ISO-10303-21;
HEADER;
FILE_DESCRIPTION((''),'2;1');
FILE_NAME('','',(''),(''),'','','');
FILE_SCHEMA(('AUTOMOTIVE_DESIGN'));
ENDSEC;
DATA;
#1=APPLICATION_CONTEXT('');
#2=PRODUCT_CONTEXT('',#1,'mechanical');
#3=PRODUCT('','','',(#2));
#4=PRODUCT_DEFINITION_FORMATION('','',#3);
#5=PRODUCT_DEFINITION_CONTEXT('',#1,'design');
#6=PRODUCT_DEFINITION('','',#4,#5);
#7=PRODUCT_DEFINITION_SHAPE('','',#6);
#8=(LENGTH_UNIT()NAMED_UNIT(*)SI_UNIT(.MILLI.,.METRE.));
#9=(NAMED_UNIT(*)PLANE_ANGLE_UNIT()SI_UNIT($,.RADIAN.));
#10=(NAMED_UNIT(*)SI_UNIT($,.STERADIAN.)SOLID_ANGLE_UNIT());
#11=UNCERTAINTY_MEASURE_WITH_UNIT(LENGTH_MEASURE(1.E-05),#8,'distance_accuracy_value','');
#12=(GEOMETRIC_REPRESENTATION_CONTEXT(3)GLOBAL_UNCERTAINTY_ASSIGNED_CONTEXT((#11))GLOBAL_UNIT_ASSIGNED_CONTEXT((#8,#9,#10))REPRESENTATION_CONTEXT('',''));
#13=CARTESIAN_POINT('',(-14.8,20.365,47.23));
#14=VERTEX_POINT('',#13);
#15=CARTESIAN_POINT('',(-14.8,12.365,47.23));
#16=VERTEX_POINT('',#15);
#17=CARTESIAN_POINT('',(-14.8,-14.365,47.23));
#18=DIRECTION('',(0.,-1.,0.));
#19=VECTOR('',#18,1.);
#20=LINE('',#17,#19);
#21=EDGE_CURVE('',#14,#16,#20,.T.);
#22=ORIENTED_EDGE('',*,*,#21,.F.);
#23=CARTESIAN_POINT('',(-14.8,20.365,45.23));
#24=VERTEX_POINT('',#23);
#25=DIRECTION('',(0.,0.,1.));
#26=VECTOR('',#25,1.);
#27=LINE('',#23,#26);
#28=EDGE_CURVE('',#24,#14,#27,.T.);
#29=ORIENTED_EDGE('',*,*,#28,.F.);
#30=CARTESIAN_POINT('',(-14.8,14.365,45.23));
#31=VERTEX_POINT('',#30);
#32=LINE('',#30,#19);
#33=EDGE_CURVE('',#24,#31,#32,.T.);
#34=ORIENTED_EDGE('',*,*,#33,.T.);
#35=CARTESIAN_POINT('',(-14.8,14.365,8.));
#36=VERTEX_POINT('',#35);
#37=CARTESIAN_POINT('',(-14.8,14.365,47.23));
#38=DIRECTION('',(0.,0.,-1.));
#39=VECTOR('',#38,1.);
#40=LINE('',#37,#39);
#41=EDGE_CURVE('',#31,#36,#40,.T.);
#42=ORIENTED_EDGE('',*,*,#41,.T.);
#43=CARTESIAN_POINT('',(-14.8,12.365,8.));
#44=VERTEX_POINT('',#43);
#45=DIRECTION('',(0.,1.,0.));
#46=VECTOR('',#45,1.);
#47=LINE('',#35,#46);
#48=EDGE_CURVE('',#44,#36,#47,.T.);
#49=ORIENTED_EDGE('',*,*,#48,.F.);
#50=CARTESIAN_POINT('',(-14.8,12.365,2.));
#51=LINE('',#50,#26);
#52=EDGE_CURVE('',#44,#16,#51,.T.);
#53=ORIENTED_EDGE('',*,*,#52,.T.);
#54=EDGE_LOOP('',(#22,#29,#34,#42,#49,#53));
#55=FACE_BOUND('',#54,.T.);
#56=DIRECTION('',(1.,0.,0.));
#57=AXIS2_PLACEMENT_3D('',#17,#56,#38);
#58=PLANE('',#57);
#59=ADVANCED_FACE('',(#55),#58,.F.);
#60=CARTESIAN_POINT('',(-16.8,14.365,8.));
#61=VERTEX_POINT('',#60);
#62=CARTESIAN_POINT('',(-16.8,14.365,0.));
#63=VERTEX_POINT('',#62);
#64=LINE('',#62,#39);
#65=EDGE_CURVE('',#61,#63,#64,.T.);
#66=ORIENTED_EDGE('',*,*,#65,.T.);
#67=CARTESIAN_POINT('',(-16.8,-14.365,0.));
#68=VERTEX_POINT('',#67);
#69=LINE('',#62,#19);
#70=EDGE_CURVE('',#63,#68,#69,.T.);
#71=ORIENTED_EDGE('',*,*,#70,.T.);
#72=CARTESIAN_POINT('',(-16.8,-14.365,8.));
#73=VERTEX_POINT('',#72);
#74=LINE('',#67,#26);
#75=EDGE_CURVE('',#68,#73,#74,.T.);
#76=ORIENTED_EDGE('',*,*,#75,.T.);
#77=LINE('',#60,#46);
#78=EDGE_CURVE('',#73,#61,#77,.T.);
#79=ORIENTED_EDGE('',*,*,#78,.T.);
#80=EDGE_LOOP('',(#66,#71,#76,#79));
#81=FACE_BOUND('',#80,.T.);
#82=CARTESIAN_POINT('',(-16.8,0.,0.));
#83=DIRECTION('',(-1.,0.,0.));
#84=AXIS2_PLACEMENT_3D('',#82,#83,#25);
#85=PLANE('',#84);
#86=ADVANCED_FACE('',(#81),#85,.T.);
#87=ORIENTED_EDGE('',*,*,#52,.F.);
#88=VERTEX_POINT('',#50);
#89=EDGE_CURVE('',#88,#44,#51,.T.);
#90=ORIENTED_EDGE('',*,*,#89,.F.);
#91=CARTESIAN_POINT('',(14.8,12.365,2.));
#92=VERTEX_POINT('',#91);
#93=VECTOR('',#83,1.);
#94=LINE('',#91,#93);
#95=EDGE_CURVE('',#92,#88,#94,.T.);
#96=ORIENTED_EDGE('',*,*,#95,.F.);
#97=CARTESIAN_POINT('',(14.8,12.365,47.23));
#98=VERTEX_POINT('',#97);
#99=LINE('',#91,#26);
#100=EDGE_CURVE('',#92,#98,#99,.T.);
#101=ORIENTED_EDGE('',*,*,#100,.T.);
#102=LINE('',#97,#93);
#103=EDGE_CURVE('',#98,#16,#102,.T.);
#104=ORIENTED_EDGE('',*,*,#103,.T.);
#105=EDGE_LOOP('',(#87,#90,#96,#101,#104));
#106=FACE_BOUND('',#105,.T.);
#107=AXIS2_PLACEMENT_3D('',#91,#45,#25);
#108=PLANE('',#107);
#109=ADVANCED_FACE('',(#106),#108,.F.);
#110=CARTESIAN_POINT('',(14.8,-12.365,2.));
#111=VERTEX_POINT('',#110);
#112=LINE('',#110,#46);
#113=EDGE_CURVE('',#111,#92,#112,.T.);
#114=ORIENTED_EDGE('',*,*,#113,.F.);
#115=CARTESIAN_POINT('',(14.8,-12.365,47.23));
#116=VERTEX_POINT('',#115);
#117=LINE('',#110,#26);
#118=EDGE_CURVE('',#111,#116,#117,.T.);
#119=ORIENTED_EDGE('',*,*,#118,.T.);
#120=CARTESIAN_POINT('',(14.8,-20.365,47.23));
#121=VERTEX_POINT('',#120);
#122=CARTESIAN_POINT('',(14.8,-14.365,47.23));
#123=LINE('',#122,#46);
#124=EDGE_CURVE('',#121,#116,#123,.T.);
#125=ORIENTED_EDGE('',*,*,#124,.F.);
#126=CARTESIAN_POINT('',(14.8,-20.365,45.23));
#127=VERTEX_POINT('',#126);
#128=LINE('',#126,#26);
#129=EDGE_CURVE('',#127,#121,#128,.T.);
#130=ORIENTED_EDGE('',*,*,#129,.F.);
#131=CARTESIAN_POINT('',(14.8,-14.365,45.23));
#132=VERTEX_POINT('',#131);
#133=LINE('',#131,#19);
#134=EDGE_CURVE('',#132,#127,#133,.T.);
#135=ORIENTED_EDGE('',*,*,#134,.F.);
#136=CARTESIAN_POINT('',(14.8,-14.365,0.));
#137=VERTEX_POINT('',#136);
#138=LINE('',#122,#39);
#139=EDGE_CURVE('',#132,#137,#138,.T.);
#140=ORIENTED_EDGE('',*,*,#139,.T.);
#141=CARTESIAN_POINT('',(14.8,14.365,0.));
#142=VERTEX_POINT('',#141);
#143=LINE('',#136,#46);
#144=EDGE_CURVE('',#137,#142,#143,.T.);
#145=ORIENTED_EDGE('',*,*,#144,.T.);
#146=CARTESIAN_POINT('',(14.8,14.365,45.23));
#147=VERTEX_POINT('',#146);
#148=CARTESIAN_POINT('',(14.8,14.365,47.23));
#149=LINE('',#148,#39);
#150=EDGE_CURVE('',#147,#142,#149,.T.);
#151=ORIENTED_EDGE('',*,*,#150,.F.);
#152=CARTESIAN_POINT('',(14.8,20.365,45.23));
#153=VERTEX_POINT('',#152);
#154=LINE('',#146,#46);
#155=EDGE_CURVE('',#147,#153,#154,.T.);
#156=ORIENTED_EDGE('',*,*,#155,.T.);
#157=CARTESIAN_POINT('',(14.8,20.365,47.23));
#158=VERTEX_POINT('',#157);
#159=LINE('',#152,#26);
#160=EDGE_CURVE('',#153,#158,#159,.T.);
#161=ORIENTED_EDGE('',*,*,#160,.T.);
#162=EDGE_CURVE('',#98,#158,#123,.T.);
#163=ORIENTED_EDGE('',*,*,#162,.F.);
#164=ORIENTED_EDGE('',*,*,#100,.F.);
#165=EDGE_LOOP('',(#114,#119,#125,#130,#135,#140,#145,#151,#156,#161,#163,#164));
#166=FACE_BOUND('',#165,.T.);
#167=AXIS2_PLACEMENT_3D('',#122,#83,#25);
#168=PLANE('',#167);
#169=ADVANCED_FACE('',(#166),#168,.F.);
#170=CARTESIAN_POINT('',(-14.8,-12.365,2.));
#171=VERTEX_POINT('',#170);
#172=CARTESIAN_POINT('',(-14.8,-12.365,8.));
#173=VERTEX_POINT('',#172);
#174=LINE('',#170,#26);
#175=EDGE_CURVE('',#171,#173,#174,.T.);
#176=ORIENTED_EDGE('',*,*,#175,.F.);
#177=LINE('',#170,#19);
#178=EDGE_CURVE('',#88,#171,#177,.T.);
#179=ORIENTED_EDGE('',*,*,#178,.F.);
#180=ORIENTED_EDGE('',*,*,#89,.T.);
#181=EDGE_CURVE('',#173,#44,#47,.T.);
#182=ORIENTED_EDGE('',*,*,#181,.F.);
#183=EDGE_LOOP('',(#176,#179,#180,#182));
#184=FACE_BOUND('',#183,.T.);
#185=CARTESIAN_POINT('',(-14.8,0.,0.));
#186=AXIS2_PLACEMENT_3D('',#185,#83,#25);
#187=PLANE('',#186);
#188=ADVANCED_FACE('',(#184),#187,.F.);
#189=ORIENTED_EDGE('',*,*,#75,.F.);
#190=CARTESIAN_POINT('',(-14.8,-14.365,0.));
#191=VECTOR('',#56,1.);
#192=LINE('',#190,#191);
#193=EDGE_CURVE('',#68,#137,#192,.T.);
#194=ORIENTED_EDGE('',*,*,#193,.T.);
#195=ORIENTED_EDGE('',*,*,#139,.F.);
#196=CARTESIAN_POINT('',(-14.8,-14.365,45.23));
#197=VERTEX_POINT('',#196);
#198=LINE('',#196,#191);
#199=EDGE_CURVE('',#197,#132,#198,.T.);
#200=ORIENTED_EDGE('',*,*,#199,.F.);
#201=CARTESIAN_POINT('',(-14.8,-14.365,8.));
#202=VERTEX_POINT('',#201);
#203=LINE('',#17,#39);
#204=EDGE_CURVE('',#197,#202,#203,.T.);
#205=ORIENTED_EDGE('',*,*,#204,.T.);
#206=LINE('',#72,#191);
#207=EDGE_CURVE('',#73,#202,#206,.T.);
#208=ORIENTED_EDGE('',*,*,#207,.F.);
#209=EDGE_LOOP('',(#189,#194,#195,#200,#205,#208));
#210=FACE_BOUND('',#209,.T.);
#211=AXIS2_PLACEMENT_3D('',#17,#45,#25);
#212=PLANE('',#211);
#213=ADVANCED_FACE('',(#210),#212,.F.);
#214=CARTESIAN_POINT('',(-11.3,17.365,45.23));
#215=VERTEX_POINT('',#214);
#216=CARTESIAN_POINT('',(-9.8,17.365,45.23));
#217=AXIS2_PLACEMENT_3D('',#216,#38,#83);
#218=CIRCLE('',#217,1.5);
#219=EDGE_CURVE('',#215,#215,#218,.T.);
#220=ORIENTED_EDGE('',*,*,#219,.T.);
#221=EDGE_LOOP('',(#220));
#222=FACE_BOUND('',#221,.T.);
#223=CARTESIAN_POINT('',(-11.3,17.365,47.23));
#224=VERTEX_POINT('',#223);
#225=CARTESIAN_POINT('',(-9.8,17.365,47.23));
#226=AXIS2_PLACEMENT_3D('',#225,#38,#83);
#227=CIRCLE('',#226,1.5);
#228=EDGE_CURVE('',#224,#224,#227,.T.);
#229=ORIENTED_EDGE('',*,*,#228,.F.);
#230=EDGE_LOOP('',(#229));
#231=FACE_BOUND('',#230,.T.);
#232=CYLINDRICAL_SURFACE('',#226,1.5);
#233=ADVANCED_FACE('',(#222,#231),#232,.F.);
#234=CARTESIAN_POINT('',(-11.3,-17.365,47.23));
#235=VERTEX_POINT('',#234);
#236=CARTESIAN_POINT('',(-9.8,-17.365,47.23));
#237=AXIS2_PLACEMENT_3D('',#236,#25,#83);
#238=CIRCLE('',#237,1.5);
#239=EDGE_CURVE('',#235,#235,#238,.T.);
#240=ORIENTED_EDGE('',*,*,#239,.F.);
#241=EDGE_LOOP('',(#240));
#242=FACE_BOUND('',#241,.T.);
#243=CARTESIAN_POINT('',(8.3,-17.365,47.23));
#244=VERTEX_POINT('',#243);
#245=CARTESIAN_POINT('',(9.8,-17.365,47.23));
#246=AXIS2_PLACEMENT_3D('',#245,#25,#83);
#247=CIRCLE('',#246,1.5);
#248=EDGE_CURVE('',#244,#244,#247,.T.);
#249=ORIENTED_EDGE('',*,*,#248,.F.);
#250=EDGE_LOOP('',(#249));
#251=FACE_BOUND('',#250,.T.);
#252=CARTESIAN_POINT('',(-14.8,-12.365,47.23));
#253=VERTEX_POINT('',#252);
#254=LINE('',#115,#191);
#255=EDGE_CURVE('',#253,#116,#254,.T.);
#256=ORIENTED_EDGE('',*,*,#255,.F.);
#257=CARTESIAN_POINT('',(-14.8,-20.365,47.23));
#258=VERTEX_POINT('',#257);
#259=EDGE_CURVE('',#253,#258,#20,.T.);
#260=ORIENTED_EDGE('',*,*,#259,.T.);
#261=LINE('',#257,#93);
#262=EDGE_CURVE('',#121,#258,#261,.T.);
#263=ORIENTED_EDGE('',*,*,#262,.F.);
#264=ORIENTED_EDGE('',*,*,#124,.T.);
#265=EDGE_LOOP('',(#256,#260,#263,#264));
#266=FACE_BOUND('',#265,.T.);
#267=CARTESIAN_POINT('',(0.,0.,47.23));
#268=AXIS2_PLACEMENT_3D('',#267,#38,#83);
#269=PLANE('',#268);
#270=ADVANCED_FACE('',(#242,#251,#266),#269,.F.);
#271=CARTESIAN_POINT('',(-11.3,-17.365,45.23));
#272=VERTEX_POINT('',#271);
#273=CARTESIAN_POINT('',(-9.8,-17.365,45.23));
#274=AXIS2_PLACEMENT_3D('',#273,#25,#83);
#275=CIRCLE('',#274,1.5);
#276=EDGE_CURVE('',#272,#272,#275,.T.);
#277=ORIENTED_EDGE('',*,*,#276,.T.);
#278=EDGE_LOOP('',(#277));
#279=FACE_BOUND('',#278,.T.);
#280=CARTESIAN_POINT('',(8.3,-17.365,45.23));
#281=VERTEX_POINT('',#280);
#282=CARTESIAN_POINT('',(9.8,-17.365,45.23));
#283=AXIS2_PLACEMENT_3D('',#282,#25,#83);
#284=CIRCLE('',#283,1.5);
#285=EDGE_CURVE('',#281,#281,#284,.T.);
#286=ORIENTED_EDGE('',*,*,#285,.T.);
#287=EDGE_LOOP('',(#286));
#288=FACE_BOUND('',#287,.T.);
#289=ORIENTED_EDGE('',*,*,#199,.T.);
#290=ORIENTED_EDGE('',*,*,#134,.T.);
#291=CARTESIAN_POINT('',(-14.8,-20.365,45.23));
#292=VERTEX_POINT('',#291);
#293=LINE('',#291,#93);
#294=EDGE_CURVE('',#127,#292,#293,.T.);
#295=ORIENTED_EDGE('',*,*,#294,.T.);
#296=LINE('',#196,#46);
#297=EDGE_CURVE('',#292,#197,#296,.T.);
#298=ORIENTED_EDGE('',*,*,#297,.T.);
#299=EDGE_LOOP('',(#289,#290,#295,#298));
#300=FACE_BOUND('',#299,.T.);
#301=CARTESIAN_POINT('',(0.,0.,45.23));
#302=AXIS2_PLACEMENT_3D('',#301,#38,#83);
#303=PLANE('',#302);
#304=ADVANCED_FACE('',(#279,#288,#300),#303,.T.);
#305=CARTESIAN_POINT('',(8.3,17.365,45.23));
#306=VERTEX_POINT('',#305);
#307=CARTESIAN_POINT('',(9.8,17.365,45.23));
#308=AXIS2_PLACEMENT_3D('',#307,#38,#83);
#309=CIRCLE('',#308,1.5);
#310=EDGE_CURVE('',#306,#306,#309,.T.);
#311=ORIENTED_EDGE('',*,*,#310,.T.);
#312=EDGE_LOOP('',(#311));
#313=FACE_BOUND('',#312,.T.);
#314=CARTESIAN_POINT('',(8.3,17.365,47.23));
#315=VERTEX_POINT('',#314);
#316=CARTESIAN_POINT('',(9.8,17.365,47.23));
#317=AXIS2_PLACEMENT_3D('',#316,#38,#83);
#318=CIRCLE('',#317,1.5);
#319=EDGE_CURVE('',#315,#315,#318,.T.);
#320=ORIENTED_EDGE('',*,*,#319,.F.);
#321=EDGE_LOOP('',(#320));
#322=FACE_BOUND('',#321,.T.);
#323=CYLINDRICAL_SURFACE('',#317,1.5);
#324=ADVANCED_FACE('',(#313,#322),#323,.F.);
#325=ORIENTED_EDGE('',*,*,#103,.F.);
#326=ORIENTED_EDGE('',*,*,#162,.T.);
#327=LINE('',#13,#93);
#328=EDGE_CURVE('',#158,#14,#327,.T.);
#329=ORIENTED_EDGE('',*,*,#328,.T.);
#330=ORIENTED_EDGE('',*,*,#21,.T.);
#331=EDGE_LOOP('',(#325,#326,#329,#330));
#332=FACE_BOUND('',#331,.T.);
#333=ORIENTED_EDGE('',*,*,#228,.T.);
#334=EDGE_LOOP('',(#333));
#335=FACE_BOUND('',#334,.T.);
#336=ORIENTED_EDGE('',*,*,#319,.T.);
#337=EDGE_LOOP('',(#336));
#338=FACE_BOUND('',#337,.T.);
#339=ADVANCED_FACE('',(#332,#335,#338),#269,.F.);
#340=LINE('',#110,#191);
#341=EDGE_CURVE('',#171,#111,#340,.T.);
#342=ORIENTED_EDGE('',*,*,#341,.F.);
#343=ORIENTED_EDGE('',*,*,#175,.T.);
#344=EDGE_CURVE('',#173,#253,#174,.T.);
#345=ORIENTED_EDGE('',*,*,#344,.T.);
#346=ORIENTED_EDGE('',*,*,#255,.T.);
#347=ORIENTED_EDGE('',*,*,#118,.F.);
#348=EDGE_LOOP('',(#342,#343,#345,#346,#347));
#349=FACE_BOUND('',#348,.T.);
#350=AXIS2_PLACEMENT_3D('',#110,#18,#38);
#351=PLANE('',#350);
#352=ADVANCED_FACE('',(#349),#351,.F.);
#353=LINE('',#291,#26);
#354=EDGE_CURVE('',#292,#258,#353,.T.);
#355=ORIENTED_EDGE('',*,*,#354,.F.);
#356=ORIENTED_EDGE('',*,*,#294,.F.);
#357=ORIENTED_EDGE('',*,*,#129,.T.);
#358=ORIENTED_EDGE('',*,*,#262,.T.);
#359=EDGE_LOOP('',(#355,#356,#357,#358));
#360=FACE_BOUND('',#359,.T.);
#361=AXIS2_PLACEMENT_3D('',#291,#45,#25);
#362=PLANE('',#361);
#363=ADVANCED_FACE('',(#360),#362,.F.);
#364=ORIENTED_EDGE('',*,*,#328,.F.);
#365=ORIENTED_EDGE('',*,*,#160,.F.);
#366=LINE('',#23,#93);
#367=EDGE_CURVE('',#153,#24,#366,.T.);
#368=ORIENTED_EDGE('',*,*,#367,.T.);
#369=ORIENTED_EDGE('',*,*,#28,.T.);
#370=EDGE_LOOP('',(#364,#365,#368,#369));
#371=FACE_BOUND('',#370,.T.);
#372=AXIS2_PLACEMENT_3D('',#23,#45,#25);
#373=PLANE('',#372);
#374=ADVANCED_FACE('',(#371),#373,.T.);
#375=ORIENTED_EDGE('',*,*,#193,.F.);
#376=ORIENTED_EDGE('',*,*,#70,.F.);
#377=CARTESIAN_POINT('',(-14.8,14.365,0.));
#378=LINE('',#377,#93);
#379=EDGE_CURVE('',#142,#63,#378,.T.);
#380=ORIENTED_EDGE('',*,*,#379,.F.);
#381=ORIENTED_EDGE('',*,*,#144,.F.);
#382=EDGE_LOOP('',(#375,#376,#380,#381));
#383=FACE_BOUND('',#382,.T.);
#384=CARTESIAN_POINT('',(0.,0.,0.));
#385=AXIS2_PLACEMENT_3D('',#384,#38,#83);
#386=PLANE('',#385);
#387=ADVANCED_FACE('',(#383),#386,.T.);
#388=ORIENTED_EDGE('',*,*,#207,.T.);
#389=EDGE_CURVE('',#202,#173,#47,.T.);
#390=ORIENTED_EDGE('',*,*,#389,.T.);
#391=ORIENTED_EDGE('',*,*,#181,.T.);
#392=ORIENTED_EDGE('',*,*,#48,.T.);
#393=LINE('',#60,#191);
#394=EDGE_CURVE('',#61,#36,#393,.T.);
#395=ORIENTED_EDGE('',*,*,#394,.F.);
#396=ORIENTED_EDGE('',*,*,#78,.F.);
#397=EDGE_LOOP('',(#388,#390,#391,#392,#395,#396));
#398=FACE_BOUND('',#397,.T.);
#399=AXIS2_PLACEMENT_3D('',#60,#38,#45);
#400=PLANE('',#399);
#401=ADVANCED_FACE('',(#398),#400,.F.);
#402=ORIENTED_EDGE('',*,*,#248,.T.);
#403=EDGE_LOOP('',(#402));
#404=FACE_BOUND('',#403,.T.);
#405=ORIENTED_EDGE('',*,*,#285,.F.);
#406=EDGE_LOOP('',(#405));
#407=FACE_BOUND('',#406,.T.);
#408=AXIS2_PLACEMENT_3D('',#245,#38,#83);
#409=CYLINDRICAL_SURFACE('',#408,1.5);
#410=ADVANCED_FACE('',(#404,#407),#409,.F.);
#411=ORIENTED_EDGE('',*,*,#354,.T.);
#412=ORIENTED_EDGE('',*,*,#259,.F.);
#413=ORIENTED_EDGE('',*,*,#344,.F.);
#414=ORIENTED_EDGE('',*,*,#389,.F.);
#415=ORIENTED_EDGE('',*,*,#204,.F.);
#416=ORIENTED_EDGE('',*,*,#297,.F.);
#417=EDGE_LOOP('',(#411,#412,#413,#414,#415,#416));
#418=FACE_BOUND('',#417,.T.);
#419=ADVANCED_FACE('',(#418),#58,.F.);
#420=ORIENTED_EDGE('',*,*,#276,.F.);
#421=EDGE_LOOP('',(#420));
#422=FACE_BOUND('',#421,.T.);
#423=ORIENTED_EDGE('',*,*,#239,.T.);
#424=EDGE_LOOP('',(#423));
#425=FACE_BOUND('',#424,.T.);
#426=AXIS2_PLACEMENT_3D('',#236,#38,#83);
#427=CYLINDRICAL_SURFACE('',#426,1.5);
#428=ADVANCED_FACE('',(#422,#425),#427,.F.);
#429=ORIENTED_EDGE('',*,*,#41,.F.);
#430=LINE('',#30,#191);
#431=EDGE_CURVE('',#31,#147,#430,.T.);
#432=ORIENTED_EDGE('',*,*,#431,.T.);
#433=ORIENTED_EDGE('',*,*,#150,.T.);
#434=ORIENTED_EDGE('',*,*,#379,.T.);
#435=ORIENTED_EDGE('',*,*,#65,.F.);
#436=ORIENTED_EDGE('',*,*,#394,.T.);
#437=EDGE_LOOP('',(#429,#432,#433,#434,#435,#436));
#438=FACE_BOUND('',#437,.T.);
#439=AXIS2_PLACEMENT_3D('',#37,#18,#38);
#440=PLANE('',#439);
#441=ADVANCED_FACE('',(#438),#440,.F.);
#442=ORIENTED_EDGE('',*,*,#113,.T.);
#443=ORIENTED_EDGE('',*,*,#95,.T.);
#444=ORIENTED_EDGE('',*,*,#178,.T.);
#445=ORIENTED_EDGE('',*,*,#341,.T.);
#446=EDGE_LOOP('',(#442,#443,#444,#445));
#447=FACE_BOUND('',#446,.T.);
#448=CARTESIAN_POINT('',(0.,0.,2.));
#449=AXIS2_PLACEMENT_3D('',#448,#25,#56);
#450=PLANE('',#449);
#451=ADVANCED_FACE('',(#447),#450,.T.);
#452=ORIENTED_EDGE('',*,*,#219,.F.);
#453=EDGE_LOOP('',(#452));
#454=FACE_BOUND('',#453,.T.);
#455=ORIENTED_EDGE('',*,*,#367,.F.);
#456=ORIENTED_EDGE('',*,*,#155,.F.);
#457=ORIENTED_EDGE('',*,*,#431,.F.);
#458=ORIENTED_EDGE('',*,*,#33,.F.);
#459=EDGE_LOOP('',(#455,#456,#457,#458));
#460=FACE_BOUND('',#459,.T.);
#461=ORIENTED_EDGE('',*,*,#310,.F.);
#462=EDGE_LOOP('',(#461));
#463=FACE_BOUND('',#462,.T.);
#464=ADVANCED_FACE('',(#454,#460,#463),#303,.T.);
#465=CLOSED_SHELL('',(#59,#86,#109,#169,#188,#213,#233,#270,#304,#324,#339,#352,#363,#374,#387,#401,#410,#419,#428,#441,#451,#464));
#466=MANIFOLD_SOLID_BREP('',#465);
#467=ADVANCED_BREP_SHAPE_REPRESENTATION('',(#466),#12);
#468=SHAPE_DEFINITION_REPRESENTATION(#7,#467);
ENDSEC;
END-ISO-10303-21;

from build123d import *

# Parameters (mm, degrees)
SKETCH_1_W          = 29.6
SKETCH_1_H          = 28.73
EXTRUDE_1_DEPTH     = 47.23
SKETCH_2_W          = 29.6
SKETCH_2_H          = 24.73
CUT_EXTRUDE_1_DEPTH = 45.23
SKETCH_3_W          = 8
SKETCH_3_H          = 28.73
EXTRUDE_2_DEPTH     = 2
SKETCH_4_W          = 29.6
SKETCH_4_H          = 6
EXTRUDE_3_DEPTH     = 2
SKETCH_5_R          = 1.5
CUT_EXTRUDE_2_DEPTH = 53.37104281


with BuildPart() as part:
    # 草图1 → 凸台-拉伸1 (new body)
    with BuildSketch(Plane.XY):
        Rectangle(SKETCH_1_W, SKETCH_1_H)
    extrude(amount=EXTRUDE_1_DEPTH)

    # 草图2 → 切除-拉伸1 (cut)
    with BuildSketch(Plane.XY.offset(47.23)):
        Rectangle(SKETCH_2_W, SKETCH_2_H)
    extrude(amount=-CUT_EXTRUDE_1_DEPTH, mode=Mode.SUBTRACT)

    # 草图3 → 凸台-拉伸2 (add)
    with BuildSketch(Plane.ZY.offset(14.8)):
        with Locations((4, 0)):
            Rectangle(SKETCH_3_W, SKETCH_3_H)
    extrude(amount=EXTRUDE_2_DEPTH)

    # 草图4 → 凸台-拉伸3 (add)
    with BuildSketch(Plane.XY.offset(47.23)):
        with Locations((0, 17.365)):
            Rectangle(SKETCH_4_W, SKETCH_4_H)
    extrude_3 = extrude(amount=-EXTRUDE_3_DEPTH)

    # 草图5 → 切除-拉伸2 (cut, through all)
    with BuildSketch(Plane(origin=(0, 0, 45.23), x_dir=(-1, 0, 0), z_dir=(0, 0, -1))):
        with Locations((-9.8, 17.365)):
            Circle(SKETCH_5_R)
        with Locations((9.8, 17.365)):
            Circle(SKETCH_5_R)
    cut_extrude_2 = extrude(amount=-CUT_EXTRUDE_2_DEPTH, mode=Mode.SUBTRACT)

    # 镜向2: 凸台-拉伸3, 切除-拉伸2 across plane
    add(extrude_3.mirror(Plane.ZX))
    add(cut_extrude_2.mirror(Plane.ZX), mode=Mode.SUBTRACT)


solid = part.part
